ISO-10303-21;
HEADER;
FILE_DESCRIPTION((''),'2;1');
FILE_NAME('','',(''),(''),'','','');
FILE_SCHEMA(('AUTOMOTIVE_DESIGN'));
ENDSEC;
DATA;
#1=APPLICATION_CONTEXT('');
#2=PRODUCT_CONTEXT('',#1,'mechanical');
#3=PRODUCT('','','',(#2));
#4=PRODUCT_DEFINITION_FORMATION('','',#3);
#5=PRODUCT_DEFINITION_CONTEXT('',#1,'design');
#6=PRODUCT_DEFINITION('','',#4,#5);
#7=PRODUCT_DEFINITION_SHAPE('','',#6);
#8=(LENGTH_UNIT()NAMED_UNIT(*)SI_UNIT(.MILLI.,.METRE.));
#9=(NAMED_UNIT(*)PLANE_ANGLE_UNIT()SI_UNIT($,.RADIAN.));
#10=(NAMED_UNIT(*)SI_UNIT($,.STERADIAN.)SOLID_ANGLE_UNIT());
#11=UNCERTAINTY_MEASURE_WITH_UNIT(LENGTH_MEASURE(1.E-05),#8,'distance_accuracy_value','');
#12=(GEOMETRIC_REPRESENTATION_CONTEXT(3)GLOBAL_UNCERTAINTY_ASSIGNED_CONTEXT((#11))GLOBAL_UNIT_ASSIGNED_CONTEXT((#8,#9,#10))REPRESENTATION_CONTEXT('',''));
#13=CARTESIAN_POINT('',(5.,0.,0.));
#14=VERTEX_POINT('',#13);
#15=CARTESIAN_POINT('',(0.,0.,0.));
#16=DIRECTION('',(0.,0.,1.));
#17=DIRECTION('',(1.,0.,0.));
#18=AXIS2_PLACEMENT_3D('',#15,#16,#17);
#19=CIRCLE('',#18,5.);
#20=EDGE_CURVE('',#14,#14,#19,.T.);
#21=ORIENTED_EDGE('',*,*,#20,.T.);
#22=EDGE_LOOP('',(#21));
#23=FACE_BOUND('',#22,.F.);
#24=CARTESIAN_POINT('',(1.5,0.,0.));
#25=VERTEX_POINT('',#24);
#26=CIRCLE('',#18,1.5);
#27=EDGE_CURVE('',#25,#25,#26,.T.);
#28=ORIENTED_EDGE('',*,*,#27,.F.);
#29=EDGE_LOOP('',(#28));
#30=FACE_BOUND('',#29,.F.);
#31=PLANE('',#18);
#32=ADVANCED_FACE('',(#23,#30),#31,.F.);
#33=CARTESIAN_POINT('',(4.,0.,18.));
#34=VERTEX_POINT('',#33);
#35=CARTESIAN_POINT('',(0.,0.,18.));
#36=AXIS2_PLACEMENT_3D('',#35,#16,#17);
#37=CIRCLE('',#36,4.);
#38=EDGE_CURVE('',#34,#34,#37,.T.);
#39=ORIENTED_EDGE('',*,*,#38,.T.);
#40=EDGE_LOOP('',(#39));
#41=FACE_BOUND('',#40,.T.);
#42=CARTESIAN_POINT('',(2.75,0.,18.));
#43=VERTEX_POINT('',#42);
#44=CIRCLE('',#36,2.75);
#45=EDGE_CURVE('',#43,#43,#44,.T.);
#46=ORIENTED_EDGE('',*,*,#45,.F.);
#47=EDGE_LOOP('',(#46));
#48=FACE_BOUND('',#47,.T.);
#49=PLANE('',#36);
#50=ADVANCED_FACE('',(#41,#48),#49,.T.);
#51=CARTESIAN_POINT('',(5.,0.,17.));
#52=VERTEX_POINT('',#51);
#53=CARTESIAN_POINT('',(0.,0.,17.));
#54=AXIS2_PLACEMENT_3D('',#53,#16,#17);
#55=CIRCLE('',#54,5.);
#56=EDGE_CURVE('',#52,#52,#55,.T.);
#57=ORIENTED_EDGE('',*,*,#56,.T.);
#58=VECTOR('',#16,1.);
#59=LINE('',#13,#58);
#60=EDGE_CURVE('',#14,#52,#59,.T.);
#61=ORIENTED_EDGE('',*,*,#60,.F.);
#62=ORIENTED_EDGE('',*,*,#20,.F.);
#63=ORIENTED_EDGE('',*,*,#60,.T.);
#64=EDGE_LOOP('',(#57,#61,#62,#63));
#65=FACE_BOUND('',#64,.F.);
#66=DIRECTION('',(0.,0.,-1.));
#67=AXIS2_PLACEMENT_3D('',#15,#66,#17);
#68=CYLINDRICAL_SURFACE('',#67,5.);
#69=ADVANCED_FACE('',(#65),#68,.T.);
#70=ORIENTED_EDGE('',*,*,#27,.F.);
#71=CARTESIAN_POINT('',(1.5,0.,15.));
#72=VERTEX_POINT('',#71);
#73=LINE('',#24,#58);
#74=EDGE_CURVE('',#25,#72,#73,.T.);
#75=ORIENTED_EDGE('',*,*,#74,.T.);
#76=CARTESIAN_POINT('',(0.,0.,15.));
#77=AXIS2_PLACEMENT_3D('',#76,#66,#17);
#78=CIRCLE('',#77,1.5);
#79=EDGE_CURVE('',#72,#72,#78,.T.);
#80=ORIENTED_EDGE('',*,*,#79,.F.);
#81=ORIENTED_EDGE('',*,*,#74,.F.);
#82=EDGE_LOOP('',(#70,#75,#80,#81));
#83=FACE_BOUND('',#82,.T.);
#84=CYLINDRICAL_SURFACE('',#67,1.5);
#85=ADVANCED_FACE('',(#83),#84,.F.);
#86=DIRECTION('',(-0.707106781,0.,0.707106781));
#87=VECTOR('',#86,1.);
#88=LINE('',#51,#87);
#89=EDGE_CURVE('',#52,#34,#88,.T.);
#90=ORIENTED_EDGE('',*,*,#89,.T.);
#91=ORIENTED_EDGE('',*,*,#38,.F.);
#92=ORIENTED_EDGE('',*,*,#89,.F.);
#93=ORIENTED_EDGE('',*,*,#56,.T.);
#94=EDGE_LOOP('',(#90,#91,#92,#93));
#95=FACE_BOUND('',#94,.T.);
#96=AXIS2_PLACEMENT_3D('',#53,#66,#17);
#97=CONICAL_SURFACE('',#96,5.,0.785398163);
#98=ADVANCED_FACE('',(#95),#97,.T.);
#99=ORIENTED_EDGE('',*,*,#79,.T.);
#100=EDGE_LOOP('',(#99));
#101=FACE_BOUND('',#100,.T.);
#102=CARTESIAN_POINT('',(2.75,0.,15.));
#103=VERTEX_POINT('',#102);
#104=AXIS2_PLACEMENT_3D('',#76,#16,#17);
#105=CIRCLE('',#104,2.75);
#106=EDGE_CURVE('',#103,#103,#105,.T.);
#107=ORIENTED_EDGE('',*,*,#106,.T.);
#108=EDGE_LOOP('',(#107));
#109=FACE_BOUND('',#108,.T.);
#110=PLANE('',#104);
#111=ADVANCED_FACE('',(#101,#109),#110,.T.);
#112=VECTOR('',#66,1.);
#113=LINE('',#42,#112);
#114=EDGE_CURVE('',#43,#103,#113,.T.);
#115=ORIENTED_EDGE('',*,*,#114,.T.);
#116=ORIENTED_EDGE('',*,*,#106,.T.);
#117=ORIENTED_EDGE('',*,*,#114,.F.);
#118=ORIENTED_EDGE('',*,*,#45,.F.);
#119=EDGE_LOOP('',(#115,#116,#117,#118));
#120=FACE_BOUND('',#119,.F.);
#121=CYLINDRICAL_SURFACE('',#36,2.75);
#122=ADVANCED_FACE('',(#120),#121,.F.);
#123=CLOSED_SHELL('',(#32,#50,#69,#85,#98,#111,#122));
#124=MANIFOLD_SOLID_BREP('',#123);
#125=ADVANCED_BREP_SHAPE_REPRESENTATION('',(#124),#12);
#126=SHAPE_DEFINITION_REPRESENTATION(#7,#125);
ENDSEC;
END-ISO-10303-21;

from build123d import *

# Parameters (mm, degrees)
SKETCH_R     = 5
SKETCH_R_2   = 1.5
PAD_DEPTH    = 18
SKETCH001_R  = 2.75
POCKET_DEPTH = 3
CHAMFER_SIZE = 1


with BuildPart() as part:
    # Sketch → Pad (new body)
    with BuildSketch(Plane.XY):
        Circle(SKETCH_R)
        Circle(SKETCH_R_2, mode=Mode.SUBTRACT)
    extrude(amount=PAD_DEPTH)

    # Sketch001 (on Face4 of Pad) → Pocket (cut)
    with BuildSketch(Plane.XY.offset(18)):
        Circle(SKETCH001_R)
    extrude(amount=-POCKET_DEPTH, mode=Mode.SUBTRACT)

    # Chamfer
    chamfer_edges = [part.edges().sort_by_distance(p)[0] for p in [
        (-5, 0, 18),
    ]]
    chamfer(chamfer_edges, length=CHAMFER_SIZE)


solid = part.part
